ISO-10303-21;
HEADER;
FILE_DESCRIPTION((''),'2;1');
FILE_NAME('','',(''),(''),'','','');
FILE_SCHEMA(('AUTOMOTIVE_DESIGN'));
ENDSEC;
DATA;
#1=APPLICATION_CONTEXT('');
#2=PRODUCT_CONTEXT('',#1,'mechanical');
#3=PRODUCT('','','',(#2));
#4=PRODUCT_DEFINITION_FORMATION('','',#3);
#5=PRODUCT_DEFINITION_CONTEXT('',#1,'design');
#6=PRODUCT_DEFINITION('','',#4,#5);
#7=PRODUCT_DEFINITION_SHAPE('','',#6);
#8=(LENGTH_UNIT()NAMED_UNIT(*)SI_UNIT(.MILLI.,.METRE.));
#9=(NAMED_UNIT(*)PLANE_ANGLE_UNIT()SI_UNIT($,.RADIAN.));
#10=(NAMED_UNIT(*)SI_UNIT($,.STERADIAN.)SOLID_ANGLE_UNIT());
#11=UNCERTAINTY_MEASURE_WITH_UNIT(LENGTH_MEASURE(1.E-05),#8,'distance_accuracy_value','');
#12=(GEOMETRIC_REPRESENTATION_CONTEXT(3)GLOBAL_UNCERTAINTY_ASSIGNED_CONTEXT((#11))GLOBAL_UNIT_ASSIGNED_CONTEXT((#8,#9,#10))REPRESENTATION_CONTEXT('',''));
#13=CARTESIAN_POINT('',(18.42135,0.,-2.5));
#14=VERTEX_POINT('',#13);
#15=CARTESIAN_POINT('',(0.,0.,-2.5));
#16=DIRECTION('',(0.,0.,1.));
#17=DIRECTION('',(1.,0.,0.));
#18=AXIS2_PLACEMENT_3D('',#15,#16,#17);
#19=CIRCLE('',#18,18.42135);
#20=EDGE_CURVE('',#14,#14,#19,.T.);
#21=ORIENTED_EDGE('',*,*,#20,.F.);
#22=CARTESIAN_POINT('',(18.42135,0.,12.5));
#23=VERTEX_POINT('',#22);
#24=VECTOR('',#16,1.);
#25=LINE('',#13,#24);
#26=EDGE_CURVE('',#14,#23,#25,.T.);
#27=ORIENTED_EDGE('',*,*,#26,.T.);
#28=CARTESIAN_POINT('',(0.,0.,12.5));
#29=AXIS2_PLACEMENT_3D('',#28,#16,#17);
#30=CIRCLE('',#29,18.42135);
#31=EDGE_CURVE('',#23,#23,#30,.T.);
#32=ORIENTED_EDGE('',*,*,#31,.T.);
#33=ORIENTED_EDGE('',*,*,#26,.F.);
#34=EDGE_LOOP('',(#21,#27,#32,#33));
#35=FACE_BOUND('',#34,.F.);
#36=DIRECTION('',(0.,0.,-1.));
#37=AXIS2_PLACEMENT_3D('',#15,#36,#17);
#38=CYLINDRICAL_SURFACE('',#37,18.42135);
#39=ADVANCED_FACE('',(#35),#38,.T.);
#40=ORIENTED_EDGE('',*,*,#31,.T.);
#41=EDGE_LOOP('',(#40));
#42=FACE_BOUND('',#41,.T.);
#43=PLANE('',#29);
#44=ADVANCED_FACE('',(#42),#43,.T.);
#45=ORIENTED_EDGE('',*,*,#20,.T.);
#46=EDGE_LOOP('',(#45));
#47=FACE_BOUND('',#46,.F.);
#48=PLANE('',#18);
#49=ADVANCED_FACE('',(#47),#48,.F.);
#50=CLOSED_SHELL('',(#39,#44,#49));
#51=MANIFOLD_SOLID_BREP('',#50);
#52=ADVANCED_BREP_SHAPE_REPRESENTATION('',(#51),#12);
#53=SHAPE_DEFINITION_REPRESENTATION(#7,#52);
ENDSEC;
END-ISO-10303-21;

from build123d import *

# Parameters (mm, degrees)
CYLINDER_R     = 18.42135
CYLINDER_DEPTH = 15


with BuildPart() as part:
    # Cylinder → Cylinder (new body)
    with BuildSketch(Plane.XY.offset(-2.5)):
        Circle(CYLINDER_R)
    extrude(amount=CYLINDER_DEPTH)


solid = part.part
